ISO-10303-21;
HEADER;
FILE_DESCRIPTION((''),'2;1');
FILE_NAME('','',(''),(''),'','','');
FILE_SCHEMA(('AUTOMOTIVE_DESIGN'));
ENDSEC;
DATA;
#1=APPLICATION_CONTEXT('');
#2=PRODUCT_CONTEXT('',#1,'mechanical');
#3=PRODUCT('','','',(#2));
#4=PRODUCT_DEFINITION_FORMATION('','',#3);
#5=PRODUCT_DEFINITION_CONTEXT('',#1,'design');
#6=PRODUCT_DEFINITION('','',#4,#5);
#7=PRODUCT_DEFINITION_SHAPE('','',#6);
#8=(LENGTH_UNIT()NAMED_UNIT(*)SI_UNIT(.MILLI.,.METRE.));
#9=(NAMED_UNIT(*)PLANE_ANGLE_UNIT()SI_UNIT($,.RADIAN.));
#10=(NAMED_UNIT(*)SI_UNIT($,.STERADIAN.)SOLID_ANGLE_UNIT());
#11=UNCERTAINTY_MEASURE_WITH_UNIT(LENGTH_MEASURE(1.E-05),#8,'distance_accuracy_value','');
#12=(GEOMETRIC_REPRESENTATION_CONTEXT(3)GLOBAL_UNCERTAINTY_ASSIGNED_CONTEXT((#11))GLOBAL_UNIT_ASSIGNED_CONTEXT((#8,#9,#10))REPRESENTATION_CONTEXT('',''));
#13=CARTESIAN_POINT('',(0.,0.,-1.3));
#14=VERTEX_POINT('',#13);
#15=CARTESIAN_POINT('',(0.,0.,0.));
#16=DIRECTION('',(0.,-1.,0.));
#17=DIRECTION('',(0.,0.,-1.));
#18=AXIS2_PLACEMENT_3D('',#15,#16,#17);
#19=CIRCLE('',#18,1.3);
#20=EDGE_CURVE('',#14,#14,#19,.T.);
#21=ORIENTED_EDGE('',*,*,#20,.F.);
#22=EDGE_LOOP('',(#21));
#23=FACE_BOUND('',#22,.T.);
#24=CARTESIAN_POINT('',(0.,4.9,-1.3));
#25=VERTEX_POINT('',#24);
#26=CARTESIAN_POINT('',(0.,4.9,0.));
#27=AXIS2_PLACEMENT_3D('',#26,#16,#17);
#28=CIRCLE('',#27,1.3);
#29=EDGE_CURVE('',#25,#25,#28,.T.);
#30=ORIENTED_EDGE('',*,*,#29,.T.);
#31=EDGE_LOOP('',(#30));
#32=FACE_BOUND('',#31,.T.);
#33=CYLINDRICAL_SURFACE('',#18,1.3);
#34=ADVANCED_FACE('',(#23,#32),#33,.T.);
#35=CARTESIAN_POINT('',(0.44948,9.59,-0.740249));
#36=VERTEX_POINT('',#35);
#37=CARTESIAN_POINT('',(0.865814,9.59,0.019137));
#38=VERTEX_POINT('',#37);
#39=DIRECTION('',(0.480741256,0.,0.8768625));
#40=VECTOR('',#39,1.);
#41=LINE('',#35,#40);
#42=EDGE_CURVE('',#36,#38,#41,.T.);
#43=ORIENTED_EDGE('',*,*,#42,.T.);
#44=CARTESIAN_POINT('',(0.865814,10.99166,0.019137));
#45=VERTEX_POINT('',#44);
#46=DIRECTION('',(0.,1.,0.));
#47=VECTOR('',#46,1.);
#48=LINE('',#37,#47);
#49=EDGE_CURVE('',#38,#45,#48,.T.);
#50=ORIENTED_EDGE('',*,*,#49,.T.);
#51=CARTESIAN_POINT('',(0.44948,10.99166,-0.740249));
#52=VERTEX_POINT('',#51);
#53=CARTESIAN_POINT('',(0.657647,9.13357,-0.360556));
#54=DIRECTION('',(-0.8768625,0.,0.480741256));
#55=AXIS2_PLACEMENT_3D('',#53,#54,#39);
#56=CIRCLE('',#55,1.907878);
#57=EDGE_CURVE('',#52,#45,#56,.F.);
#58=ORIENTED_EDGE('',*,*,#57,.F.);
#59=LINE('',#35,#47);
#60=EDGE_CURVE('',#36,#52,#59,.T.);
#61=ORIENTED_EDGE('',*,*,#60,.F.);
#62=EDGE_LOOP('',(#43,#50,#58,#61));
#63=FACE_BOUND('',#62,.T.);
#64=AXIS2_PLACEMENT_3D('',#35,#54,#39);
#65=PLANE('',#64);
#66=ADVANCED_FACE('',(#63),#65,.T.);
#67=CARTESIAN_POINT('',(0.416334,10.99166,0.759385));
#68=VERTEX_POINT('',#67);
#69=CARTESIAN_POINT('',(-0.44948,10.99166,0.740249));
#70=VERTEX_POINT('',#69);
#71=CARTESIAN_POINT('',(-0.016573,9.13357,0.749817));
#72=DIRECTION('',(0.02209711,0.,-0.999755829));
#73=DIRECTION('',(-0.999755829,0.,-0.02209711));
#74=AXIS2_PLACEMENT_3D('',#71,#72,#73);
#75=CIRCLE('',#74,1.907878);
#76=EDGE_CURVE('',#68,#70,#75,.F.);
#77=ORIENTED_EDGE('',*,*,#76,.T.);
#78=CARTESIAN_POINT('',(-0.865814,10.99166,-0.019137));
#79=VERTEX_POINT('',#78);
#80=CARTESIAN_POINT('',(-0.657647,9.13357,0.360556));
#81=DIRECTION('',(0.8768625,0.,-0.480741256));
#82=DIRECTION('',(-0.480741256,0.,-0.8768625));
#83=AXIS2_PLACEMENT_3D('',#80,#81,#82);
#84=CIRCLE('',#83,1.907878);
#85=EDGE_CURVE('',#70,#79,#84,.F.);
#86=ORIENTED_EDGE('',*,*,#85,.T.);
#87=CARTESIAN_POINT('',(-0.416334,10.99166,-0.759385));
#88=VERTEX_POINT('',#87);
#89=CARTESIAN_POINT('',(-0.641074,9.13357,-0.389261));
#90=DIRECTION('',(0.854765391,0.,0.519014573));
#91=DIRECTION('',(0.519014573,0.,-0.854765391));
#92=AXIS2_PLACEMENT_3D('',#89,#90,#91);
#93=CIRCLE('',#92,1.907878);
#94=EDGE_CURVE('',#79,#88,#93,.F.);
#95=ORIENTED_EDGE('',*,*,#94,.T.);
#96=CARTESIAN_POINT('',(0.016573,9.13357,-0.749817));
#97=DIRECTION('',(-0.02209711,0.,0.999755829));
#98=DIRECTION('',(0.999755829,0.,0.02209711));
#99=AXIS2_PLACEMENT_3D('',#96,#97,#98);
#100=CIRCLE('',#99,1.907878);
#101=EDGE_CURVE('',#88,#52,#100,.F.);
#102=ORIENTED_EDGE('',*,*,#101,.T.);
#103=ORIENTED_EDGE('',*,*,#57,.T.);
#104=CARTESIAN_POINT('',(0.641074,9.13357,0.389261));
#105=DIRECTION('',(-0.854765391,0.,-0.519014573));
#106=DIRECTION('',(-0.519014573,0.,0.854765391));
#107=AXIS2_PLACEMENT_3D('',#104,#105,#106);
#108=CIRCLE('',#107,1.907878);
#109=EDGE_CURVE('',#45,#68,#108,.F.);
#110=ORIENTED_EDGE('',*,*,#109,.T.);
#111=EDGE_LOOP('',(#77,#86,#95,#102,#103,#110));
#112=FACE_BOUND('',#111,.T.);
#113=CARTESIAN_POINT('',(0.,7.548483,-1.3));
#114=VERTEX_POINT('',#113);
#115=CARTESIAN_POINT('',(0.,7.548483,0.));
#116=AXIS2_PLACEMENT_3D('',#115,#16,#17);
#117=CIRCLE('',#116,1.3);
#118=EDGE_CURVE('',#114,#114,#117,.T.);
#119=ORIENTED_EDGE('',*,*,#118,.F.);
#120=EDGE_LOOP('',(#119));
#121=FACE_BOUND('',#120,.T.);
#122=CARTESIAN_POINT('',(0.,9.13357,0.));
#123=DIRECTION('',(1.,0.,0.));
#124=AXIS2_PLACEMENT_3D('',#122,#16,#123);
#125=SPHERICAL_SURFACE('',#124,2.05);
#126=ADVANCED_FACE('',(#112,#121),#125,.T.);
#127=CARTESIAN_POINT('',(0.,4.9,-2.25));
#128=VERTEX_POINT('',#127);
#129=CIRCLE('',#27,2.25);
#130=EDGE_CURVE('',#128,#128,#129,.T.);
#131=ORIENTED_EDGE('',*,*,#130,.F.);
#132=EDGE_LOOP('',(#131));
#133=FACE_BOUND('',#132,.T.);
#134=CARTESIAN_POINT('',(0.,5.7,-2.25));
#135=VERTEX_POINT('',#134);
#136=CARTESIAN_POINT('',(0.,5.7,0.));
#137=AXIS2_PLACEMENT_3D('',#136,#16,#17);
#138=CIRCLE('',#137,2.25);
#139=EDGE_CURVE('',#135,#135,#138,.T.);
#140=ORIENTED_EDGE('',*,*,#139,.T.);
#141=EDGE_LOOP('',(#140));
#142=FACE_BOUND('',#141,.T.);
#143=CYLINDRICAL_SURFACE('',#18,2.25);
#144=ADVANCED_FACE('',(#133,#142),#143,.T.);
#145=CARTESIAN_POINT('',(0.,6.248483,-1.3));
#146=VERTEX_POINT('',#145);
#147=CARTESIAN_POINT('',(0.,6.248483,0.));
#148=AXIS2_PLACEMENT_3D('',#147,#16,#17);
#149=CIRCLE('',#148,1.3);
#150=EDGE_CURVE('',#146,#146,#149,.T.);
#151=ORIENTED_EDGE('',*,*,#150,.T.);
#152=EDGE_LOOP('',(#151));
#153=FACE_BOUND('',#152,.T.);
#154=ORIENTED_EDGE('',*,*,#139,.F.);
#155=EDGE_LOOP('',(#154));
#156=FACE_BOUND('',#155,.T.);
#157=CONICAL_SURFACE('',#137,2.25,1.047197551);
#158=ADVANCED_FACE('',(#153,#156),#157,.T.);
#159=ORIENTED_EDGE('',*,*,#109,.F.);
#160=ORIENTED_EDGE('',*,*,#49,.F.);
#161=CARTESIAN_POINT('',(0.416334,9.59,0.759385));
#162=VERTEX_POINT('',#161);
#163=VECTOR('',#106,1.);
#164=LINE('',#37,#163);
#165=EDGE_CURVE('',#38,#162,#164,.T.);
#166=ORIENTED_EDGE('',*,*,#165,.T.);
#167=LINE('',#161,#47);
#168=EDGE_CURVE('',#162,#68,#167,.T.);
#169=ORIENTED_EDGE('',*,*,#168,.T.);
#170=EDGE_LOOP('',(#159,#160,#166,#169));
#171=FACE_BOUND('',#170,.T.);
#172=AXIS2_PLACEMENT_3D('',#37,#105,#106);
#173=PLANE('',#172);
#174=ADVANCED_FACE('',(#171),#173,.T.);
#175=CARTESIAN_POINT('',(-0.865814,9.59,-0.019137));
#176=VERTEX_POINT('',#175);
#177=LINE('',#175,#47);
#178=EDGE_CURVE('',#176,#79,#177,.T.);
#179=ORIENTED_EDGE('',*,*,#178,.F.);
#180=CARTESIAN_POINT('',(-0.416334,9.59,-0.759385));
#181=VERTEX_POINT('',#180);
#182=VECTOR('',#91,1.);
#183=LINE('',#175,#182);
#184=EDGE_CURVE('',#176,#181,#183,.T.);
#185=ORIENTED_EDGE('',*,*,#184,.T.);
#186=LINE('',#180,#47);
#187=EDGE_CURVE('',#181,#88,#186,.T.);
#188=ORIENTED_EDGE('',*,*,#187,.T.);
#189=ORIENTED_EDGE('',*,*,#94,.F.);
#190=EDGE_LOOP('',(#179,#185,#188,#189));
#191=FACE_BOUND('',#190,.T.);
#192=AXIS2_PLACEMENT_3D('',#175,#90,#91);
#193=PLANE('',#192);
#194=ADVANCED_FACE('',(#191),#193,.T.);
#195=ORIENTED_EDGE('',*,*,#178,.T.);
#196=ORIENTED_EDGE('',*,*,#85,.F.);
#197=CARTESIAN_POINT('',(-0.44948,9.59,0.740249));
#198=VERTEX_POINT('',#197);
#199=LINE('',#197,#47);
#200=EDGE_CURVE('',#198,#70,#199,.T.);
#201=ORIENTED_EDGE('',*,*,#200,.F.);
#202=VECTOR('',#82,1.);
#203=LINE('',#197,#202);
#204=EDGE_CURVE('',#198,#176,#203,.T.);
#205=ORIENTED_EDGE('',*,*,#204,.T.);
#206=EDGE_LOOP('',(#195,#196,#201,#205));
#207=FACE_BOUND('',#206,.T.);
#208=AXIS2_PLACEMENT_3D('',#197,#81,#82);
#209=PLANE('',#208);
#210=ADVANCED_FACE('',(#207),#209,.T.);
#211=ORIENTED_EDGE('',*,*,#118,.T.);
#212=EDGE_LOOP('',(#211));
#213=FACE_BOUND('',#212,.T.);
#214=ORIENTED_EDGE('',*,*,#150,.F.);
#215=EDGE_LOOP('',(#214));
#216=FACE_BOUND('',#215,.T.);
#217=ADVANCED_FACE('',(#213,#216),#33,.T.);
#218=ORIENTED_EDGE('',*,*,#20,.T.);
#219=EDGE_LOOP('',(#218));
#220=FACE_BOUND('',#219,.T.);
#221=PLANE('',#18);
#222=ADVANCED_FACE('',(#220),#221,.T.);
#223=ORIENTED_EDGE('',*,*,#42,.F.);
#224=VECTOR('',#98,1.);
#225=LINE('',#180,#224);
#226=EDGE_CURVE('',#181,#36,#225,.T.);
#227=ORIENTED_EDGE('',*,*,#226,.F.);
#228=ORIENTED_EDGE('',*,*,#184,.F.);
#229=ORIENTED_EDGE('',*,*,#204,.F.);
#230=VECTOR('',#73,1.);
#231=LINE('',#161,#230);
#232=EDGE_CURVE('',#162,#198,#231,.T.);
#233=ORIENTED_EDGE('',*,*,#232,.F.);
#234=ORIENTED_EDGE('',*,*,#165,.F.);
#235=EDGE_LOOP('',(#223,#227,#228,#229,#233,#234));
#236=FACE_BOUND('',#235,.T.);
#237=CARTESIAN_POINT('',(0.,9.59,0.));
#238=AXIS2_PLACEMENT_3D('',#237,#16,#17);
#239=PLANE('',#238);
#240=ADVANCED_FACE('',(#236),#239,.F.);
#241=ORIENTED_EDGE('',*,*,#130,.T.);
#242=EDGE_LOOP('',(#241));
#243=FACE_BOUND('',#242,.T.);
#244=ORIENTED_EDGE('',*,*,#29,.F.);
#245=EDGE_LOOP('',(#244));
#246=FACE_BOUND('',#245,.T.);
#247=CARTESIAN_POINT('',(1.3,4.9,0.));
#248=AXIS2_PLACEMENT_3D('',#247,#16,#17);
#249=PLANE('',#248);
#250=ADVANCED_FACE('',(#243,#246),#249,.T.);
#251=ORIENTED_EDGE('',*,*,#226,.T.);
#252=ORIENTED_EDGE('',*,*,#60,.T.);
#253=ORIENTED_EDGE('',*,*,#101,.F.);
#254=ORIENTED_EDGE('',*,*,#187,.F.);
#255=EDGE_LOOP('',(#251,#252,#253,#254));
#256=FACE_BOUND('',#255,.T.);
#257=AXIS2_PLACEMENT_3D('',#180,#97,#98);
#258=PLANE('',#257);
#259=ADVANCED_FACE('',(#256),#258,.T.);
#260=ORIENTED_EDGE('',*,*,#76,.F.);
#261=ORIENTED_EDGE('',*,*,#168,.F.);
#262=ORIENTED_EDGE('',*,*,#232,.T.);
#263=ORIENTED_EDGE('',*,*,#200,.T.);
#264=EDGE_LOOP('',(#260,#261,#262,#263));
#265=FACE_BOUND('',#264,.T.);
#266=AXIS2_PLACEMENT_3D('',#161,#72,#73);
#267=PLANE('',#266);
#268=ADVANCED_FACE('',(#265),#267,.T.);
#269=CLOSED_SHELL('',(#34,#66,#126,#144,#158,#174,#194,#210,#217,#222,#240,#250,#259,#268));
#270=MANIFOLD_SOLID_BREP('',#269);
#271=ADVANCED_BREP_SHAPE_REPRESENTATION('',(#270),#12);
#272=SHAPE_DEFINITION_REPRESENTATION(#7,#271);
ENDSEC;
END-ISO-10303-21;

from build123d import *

# Parameters (mm, degrees)
TAGLIO_ESTRUSIONE1_DEPTH = 1.5


with BuildPart() as part:
    # Schizzo1 → Rivoluzione1 (revolve)
    with BuildSketch(Plane.XY, mode=Mode.PRIVATE) as rivoluzione1_sk:
        with BuildLine():
            Line((0, 0), (1.3, 0))
            Line((1.3, 0), (1.3, 4.9))
            Line((1.3, 4.9), (2.25, 4.9))
            Line((2.25, 4.9), (2.25, 5.7))
            Line((2.25, 5.7), (1.3, 6.248482756))
            Line((1.3, 6.248482756), (1.3, 7.548482756))
            ThreePointArc((1.3, 7.548482756), (1.930275607, 9.823885434), (0, 11.183569504))
            Line((0, 11.183569504), (0, 0))
        make_face()
    revolve(rivoluzione1_sk.sketch.rotate(Axis((0, 0, 0), (0, 1, 0)), 90), axis=Axis((0, 0, 0), (0, 1, 0)))

    # TaglioSuperficie1
    split(bisect_by=Plane(origin=(0, 11.09, 0), x_dir=(-1, 0, 0), z_dir=(0, -1, 0)), keep=Keep.TOP)

    # Schizzo2 → Taglio-Estrusione1 (cut)
    with BuildSketch(Plane(origin=(0, 11.09, 0), x_dir=(-1, 0, 0), z_dir=(0, -1, 0))):
        Polygon((-0.416334141, -0.759385201), (0.449479805, -0.740248543), (0.865813946, 0.019136658), (0.416334141, 0.759385201), (-0.449479805, 0.740248543), (-0.865813946, -0.019136658), align=None)
    extrude(amount=TAGLIO_ESTRUSIONE1_DEPTH, mode=Mode.SUBTRACT)


solid = part.part
